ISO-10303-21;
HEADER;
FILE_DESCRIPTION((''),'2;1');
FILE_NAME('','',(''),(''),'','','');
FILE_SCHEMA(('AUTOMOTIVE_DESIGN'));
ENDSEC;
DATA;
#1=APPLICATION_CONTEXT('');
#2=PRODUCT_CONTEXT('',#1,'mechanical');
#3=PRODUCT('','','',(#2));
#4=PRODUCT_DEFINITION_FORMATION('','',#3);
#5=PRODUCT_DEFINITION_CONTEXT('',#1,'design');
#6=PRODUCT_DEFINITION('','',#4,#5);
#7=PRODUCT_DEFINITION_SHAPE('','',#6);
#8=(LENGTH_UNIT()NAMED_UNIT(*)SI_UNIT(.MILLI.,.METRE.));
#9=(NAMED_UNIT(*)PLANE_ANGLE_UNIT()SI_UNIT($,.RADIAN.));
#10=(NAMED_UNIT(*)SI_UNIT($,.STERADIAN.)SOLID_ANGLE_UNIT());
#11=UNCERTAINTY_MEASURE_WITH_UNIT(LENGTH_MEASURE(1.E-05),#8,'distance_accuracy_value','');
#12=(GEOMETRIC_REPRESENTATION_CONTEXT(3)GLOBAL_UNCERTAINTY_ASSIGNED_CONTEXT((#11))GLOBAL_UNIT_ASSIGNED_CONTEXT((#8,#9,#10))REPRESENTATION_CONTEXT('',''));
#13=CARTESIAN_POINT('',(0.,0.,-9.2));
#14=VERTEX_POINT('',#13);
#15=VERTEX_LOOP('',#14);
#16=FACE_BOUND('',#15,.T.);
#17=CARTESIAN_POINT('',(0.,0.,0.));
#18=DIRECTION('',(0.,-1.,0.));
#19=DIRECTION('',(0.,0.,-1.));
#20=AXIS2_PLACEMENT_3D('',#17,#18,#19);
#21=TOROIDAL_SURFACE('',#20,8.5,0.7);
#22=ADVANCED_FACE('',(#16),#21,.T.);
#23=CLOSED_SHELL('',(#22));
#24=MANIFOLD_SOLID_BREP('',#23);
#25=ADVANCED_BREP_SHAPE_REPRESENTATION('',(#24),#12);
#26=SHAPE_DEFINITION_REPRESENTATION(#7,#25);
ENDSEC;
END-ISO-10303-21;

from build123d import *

# Parameters (mm, degrees)
SKETCH3_R = 0.7


with BuildPart() as part:
    # Sketch3 → Revolve1 (revolve)
    with BuildSketch(Plane.XY):
        with Locations((8.5, 0)):
            Circle(SKETCH3_R)
    revolve(axis=Axis((0, 0, 0), (0, 1, 0)))


solid = part.part
